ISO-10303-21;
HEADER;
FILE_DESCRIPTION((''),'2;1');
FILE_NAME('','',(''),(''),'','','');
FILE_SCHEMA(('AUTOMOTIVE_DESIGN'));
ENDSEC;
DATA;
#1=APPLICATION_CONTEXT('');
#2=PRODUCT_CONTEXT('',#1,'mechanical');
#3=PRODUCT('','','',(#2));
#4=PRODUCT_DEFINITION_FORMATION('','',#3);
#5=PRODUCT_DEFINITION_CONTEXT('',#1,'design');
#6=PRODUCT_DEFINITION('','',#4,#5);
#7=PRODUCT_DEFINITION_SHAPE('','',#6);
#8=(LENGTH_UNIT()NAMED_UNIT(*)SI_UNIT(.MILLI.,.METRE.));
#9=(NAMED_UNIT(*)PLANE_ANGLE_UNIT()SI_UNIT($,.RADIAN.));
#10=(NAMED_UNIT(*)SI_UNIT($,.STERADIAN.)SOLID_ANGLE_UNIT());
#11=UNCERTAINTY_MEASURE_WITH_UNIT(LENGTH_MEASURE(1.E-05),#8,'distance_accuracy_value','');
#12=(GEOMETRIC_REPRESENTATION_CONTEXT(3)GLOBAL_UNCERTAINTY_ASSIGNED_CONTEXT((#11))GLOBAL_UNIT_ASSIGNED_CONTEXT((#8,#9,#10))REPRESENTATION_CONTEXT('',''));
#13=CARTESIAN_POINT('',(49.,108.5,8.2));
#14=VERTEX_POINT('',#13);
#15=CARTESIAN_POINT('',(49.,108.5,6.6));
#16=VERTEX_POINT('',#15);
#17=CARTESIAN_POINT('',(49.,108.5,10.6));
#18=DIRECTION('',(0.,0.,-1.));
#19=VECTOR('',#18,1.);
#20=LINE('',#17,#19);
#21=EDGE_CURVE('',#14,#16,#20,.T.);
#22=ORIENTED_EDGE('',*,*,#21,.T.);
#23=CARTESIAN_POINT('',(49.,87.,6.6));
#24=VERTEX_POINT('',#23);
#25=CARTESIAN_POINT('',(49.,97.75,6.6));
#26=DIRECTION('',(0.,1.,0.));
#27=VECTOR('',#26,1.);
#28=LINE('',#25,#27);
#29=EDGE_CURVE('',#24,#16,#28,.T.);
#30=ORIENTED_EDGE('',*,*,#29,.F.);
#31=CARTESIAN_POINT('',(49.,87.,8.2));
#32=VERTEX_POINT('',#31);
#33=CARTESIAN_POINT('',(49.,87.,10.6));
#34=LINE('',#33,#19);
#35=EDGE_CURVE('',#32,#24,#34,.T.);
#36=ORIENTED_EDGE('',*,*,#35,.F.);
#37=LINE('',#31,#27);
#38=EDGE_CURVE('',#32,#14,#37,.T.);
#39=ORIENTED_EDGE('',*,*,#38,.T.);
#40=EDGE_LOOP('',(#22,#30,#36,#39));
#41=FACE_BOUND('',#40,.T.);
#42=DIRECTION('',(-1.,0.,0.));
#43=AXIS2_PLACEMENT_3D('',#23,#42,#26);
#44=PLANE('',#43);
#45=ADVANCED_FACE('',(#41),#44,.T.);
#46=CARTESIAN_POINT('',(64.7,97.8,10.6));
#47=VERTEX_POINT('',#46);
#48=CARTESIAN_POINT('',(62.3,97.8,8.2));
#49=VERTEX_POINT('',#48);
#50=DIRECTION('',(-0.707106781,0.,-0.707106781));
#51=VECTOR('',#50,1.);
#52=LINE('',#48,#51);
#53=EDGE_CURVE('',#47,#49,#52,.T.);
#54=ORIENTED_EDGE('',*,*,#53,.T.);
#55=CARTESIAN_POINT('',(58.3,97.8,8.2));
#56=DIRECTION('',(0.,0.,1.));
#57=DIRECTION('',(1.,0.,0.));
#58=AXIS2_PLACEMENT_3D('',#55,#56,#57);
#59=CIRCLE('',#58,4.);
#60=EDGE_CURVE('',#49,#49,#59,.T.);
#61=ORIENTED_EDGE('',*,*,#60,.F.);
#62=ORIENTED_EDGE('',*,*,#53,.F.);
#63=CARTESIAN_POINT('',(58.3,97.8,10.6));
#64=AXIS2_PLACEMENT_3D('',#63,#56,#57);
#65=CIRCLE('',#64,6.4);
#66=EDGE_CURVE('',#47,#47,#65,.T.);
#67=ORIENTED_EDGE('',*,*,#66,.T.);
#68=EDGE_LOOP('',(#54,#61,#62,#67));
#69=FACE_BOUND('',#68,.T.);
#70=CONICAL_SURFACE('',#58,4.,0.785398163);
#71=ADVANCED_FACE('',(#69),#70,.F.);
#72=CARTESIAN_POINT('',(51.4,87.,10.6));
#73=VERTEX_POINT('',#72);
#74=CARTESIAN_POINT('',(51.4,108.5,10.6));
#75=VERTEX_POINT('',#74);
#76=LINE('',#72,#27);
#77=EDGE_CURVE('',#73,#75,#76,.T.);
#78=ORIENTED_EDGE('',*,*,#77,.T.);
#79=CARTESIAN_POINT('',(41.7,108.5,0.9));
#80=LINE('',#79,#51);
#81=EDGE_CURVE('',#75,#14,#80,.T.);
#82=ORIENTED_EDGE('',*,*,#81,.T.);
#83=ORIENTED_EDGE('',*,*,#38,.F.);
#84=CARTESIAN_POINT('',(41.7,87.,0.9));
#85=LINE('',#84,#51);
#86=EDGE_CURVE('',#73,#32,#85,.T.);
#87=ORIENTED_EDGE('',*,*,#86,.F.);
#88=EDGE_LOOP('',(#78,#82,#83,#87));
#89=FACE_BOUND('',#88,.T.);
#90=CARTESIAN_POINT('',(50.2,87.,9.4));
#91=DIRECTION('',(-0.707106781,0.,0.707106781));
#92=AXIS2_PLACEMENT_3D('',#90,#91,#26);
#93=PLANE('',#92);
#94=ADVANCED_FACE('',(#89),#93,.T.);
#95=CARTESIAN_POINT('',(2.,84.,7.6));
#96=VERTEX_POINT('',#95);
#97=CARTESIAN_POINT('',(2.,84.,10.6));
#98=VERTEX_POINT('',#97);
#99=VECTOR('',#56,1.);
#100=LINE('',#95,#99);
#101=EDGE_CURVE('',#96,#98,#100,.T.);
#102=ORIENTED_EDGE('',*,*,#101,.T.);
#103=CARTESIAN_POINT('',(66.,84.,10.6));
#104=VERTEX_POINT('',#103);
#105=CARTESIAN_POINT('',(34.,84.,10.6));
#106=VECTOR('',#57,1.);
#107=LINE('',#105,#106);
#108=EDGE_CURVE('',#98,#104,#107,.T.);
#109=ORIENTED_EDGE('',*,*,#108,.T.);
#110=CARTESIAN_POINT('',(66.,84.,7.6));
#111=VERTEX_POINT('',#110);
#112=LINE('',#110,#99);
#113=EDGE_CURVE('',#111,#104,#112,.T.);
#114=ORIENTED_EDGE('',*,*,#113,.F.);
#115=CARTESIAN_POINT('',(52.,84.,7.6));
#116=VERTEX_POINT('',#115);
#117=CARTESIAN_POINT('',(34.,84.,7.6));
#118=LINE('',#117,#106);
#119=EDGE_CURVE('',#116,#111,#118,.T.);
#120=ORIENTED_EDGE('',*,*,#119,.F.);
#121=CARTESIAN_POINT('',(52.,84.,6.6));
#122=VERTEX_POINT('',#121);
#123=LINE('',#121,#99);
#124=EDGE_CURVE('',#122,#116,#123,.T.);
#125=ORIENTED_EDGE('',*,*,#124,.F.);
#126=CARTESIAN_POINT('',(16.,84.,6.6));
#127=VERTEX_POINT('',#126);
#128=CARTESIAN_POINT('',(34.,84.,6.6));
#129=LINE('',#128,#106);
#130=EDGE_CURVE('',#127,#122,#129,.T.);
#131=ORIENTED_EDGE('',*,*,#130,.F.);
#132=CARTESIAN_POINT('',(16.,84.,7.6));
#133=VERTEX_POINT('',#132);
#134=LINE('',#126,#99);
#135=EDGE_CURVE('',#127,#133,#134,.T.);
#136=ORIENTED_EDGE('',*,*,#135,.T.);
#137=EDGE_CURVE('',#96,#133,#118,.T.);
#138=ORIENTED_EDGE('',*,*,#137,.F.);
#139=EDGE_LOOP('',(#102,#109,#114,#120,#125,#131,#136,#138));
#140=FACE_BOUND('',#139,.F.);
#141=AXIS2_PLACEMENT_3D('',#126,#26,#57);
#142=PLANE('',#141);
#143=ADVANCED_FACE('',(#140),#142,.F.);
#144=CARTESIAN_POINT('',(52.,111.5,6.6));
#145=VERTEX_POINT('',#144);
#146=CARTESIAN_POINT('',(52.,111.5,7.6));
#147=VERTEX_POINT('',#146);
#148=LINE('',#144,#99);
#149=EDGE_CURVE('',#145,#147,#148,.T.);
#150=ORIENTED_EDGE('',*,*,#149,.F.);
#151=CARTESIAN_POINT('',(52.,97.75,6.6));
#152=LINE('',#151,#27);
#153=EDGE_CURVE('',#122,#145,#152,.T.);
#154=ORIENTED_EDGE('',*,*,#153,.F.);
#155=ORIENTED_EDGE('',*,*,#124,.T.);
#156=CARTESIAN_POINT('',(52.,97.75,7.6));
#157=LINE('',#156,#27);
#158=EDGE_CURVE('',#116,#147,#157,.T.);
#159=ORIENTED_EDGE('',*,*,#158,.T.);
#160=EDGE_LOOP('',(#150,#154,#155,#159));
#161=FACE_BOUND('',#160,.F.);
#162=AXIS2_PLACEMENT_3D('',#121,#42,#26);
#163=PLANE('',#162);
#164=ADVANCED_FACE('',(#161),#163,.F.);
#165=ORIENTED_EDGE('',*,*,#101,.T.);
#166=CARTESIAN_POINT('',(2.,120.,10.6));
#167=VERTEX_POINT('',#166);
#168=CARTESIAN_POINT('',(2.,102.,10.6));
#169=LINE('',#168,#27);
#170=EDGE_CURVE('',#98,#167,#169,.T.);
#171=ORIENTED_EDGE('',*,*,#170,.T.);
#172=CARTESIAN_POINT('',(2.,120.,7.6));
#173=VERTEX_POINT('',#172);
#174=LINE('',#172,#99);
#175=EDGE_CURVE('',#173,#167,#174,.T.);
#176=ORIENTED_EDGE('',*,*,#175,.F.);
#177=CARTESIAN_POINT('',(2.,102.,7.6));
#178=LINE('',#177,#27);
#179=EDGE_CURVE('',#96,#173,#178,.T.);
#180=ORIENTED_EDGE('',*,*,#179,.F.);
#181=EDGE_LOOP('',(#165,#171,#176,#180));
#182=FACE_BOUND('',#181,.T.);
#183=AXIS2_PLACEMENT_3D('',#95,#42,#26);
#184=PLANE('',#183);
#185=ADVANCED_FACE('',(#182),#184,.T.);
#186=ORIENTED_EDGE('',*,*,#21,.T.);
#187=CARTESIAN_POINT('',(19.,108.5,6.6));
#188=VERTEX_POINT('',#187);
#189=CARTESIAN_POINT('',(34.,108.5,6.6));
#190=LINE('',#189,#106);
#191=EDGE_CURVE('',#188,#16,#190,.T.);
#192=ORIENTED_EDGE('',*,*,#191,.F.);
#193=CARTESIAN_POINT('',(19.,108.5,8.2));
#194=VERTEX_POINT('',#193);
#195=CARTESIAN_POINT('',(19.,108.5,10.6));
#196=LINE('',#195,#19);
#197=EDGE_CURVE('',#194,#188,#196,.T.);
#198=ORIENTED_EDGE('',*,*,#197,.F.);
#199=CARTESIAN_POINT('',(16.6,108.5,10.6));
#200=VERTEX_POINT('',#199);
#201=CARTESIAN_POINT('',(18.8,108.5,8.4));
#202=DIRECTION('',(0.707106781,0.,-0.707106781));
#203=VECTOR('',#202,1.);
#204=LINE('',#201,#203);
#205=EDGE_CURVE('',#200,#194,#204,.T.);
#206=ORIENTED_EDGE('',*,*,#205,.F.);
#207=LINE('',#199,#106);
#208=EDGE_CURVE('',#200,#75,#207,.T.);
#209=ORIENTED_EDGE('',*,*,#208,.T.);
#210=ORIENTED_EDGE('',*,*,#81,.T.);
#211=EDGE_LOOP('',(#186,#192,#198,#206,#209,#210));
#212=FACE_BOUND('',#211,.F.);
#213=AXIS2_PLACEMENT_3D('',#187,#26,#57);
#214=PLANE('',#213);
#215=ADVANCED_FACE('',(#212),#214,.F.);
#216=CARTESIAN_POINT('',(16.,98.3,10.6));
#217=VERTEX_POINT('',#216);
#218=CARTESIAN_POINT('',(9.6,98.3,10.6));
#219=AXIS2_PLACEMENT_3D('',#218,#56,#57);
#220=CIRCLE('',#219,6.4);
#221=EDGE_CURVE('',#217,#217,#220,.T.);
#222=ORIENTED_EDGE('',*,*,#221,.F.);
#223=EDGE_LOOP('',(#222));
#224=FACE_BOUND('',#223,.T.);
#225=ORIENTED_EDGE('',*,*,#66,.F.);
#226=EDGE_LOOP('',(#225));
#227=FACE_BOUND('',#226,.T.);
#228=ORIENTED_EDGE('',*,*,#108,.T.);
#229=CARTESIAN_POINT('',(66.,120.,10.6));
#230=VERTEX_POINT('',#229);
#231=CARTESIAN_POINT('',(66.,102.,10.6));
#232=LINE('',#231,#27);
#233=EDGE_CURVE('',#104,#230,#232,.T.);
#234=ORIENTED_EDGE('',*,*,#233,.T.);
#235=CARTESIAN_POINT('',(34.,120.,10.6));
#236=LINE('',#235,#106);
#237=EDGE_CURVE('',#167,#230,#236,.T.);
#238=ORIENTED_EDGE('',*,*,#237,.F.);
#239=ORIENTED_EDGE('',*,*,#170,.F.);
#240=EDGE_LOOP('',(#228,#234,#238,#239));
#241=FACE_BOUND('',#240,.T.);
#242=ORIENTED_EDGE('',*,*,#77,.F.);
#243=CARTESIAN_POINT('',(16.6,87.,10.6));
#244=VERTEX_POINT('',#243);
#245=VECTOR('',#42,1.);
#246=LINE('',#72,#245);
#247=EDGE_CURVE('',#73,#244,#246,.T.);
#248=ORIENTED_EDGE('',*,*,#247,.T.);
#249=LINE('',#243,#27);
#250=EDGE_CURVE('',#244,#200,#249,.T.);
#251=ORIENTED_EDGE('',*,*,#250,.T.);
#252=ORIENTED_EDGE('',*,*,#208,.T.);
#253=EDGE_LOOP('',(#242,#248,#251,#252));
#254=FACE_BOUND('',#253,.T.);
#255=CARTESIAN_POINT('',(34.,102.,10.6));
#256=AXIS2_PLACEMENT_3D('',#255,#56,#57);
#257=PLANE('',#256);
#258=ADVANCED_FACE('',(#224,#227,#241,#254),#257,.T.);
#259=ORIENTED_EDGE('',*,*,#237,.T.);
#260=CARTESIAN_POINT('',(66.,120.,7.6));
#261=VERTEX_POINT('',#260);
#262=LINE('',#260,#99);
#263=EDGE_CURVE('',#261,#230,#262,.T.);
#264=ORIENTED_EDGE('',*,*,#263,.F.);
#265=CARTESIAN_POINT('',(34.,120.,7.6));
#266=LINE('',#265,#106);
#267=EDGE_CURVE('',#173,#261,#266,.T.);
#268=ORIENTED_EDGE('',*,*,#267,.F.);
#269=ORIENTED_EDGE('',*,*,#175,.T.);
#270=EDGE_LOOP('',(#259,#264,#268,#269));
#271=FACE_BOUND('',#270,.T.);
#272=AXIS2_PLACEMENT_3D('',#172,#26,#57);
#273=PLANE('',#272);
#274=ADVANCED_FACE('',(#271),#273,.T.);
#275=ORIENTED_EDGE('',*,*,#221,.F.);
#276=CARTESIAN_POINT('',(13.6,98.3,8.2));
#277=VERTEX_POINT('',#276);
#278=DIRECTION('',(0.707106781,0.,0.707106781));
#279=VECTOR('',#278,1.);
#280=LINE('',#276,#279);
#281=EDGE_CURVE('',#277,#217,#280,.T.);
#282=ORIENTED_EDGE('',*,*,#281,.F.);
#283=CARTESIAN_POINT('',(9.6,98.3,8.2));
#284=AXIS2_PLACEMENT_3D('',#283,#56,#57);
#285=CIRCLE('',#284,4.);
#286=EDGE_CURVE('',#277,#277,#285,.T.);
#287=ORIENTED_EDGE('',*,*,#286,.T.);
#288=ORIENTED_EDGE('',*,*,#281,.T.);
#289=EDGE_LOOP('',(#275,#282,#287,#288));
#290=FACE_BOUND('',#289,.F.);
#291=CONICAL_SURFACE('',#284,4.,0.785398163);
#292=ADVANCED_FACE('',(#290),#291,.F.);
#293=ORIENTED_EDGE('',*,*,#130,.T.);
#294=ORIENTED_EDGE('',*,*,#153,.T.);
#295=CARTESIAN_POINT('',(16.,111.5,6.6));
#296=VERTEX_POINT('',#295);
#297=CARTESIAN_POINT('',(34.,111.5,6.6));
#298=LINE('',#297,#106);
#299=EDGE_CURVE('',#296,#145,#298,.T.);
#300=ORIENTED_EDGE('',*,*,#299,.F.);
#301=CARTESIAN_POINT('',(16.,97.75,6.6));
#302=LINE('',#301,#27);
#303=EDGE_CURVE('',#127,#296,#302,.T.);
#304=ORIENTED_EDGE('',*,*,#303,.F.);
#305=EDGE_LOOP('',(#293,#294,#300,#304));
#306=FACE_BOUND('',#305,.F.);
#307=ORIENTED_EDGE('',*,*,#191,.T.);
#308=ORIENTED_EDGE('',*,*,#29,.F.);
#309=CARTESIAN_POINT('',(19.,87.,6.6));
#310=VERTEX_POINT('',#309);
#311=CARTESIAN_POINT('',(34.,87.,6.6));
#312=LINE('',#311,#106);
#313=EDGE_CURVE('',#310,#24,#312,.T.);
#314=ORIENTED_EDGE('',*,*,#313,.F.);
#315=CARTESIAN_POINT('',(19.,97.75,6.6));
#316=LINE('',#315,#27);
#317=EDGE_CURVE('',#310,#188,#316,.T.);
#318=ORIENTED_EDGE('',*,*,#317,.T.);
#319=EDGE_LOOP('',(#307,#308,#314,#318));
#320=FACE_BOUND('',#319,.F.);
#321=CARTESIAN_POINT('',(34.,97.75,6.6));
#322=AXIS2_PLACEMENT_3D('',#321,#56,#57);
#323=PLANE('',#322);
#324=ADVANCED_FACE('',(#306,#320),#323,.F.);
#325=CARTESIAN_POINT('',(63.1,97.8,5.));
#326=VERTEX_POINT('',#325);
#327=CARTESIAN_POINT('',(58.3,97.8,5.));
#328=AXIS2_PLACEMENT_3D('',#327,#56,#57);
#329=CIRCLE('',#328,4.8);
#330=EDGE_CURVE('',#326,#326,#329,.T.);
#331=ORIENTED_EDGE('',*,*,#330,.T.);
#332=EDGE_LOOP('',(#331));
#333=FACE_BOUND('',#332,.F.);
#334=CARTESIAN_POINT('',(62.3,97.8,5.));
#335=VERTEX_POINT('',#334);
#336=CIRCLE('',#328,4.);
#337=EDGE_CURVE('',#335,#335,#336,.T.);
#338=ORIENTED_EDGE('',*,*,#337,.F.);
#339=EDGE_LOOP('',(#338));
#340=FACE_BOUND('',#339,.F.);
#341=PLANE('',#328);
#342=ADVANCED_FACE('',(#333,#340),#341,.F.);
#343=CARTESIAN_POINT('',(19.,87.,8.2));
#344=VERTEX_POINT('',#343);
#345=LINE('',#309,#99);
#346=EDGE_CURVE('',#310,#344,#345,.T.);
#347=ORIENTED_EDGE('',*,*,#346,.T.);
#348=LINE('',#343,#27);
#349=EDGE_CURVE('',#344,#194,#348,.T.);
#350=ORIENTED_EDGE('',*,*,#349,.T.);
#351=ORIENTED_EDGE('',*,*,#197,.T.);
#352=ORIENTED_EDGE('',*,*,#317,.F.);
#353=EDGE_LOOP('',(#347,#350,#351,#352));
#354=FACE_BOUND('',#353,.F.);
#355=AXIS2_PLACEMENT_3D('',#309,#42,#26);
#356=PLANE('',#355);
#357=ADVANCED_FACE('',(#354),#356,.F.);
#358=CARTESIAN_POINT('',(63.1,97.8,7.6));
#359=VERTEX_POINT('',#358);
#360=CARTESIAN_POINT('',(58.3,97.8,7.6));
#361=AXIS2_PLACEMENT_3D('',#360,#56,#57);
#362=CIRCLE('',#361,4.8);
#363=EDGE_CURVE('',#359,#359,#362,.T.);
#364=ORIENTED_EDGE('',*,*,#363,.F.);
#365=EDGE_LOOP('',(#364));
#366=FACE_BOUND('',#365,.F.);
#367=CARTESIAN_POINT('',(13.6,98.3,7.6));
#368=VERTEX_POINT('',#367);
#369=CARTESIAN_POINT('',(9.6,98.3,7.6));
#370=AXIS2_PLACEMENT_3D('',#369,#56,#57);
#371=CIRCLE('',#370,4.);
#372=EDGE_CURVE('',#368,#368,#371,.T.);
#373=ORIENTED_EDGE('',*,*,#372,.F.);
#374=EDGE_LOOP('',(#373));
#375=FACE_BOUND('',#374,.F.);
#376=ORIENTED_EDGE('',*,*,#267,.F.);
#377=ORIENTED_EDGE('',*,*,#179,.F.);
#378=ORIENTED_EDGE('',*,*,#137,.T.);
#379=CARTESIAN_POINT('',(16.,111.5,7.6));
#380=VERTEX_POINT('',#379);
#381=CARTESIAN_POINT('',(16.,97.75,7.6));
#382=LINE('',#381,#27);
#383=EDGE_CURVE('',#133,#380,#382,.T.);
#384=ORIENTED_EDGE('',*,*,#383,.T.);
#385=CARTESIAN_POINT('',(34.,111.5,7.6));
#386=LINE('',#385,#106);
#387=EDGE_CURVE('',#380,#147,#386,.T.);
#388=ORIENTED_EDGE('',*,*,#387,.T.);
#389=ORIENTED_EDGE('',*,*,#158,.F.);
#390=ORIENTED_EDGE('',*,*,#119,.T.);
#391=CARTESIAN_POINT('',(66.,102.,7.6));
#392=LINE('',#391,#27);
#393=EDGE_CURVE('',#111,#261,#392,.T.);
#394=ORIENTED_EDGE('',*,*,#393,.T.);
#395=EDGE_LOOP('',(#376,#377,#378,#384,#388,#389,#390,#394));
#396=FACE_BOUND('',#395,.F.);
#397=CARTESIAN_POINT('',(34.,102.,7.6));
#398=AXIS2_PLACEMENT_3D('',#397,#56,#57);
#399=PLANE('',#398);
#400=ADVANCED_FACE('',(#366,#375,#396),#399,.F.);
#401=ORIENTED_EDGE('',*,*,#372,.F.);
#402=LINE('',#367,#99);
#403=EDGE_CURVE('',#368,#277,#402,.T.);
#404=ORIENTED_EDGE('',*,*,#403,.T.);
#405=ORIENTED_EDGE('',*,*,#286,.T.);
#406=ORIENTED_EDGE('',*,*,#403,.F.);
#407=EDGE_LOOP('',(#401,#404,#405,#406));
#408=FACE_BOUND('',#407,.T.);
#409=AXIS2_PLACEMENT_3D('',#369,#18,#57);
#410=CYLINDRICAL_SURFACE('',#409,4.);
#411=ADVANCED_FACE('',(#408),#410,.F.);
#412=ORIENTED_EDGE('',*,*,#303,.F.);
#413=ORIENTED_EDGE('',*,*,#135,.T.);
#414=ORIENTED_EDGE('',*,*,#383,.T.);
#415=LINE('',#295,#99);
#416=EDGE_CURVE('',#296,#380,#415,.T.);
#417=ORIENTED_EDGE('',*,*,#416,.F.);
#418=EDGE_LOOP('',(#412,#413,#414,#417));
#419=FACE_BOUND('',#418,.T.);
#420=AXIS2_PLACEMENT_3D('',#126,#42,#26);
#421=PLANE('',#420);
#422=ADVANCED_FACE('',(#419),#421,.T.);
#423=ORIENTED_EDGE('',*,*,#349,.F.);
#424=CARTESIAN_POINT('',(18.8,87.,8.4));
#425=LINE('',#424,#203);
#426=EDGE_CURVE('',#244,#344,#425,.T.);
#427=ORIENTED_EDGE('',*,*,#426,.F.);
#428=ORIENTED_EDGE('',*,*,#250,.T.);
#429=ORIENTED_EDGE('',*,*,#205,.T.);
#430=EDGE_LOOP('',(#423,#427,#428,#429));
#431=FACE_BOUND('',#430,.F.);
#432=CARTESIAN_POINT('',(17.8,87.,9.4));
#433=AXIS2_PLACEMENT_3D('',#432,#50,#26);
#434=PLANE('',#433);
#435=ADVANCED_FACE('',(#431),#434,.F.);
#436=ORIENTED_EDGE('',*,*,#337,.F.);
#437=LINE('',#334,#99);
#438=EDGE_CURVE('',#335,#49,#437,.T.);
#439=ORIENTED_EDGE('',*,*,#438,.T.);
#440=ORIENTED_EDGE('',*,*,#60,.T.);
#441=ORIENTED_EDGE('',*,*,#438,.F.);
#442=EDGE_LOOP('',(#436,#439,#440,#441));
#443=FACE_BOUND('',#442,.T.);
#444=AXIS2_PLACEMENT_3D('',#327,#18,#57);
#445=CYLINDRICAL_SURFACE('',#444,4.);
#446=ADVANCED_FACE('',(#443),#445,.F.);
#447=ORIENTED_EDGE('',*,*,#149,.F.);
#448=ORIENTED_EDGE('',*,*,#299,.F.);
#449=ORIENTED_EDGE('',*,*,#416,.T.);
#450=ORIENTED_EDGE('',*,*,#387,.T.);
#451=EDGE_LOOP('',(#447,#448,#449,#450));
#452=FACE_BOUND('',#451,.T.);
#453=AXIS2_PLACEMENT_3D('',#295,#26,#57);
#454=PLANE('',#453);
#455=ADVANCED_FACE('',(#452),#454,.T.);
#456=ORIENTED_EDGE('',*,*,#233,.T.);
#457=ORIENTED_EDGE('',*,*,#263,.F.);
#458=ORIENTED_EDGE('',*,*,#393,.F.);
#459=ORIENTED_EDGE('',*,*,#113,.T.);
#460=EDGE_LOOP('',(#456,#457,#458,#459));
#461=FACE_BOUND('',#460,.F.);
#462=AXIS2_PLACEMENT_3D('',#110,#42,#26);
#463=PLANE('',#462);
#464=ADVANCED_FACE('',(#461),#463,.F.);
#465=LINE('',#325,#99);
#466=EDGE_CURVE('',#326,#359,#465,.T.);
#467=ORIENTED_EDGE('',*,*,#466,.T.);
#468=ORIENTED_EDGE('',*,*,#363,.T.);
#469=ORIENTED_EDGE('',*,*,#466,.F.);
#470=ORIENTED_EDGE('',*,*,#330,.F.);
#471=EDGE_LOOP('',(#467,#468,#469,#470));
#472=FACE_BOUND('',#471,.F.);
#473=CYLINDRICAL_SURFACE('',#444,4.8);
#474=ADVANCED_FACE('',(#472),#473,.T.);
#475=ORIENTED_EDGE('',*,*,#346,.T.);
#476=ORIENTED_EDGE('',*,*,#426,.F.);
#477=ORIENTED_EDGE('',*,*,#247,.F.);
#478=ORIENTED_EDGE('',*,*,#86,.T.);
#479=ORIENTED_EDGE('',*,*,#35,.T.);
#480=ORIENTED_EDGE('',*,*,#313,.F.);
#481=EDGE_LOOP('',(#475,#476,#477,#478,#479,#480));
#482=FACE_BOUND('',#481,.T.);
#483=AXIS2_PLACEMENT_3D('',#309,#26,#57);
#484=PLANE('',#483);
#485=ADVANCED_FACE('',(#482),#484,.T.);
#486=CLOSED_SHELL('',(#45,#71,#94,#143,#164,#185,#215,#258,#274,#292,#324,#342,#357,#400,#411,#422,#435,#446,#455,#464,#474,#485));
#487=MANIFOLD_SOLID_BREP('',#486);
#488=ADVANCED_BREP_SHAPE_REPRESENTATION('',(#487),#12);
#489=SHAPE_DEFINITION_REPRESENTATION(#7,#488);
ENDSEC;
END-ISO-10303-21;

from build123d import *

# Parameters (mm, degrees)
SKETCH038_W      = 36
SKETCH038_H      = 27.5
SKETCH038_W_2    = 30
SKETCH038_H_2    = 21.5
EXTRUDE026_DEPTH = 1
SKETCH039_R      = 4.8
SKETCH039_R_2    = 4
EXTRUDE027_DEPTH = 2.6
SKETCH037_W      = 64
SKETCH037_H      = 36
SKETCH037_R      = 4
SKETCH037_W_2    = 30
SKETCH037_H_2    = 21.5
EXTRUDE025_DEPTH = 3
CHAMFER_SIZE     = 2.4


with BuildPart() as basebevel001:
    # Sketch038 → Extrude026 (new body)
    with BuildSketch(Plane.XY):
        with Locations((34, 97.75)):
            Rectangle(SKETCH038_W, SKETCH038_H)
        with Locations((34, 97.75)):
            Rectangle(SKETCH038_W_2, SKETCH038_H_2, mode=Mode.SUBTRACT)
    extrude(amount=EXTRUDE026_DEPTH)


with BuildPart() as basebevel001_1:
    # Extrude026 placement: moved
    add(basebevel001.part.moved(Location((0, 0, 6.6))))


with BuildPart() as basebutton_t001:
    # Sketch039 → Extrude027 (new body)
    with BuildSketch(Plane.XY):
        with Locations((58.3, 97.8)):
            Circle(SKETCH039_R)
        with Locations((58.3, 97.8)):
            Circle(SKETCH039_R_2, mode=Mode.SUBTRACT)
    extrude(amount=EXTRUDE027_DEPTH)


with BuildPart() as basebutton_t001_1:
    # Extrude027 placement: moved
    add(basebutton_t001.part.moved(Location((0, 0, 5))))


with BuildPart() as ui_plate_shp:
    # Sketch037 → Extrude025 (new body)
    with BuildSketch(Plane.XY):
        with Locations((34, 102)):
            Rectangle(SKETCH037_W, SKETCH037_H)
        with Locations((9.6, 98.3)):
            Circle(SKETCH037_R, mode=Mode.SUBTRACT)
        with Locations((58.3, 97.8)):
            Circle(SKETCH037_R, mode=Mode.SUBTRACT)
        with Locations((34, 97.75)):
            Rectangle(SKETCH037_W_2, SKETCH037_H_2, mode=Mode.SUBTRACT)
    extrude(amount=EXTRUDE025_DEPTH)


with BuildPart() as ui_plate_shp_1:
    # Extrude025 placement: moved
    add(ui_plate_shp.part.moved(Location((0, 0, 7.6))))

    # Fusion015: union basebevel001, basebutton_t001
    add(basebevel001_1.part)
    add(basebutton_t001_1.part)

    # Chamfer
    chamfer_edges = [ui_plate_shp_1.edges().sort_by_distance(p)[0] for p in [
        (54.3, 97.8, 10.6),
        (5.6, 98.3, 10.6),
        (49, 97.75, 10.6),
        (19, 97.75, 10.6),
    ]]
    chamfer(chamfer_edges, length=CHAMFER_SIZE)


solid = ui_plate_shp_1.part
